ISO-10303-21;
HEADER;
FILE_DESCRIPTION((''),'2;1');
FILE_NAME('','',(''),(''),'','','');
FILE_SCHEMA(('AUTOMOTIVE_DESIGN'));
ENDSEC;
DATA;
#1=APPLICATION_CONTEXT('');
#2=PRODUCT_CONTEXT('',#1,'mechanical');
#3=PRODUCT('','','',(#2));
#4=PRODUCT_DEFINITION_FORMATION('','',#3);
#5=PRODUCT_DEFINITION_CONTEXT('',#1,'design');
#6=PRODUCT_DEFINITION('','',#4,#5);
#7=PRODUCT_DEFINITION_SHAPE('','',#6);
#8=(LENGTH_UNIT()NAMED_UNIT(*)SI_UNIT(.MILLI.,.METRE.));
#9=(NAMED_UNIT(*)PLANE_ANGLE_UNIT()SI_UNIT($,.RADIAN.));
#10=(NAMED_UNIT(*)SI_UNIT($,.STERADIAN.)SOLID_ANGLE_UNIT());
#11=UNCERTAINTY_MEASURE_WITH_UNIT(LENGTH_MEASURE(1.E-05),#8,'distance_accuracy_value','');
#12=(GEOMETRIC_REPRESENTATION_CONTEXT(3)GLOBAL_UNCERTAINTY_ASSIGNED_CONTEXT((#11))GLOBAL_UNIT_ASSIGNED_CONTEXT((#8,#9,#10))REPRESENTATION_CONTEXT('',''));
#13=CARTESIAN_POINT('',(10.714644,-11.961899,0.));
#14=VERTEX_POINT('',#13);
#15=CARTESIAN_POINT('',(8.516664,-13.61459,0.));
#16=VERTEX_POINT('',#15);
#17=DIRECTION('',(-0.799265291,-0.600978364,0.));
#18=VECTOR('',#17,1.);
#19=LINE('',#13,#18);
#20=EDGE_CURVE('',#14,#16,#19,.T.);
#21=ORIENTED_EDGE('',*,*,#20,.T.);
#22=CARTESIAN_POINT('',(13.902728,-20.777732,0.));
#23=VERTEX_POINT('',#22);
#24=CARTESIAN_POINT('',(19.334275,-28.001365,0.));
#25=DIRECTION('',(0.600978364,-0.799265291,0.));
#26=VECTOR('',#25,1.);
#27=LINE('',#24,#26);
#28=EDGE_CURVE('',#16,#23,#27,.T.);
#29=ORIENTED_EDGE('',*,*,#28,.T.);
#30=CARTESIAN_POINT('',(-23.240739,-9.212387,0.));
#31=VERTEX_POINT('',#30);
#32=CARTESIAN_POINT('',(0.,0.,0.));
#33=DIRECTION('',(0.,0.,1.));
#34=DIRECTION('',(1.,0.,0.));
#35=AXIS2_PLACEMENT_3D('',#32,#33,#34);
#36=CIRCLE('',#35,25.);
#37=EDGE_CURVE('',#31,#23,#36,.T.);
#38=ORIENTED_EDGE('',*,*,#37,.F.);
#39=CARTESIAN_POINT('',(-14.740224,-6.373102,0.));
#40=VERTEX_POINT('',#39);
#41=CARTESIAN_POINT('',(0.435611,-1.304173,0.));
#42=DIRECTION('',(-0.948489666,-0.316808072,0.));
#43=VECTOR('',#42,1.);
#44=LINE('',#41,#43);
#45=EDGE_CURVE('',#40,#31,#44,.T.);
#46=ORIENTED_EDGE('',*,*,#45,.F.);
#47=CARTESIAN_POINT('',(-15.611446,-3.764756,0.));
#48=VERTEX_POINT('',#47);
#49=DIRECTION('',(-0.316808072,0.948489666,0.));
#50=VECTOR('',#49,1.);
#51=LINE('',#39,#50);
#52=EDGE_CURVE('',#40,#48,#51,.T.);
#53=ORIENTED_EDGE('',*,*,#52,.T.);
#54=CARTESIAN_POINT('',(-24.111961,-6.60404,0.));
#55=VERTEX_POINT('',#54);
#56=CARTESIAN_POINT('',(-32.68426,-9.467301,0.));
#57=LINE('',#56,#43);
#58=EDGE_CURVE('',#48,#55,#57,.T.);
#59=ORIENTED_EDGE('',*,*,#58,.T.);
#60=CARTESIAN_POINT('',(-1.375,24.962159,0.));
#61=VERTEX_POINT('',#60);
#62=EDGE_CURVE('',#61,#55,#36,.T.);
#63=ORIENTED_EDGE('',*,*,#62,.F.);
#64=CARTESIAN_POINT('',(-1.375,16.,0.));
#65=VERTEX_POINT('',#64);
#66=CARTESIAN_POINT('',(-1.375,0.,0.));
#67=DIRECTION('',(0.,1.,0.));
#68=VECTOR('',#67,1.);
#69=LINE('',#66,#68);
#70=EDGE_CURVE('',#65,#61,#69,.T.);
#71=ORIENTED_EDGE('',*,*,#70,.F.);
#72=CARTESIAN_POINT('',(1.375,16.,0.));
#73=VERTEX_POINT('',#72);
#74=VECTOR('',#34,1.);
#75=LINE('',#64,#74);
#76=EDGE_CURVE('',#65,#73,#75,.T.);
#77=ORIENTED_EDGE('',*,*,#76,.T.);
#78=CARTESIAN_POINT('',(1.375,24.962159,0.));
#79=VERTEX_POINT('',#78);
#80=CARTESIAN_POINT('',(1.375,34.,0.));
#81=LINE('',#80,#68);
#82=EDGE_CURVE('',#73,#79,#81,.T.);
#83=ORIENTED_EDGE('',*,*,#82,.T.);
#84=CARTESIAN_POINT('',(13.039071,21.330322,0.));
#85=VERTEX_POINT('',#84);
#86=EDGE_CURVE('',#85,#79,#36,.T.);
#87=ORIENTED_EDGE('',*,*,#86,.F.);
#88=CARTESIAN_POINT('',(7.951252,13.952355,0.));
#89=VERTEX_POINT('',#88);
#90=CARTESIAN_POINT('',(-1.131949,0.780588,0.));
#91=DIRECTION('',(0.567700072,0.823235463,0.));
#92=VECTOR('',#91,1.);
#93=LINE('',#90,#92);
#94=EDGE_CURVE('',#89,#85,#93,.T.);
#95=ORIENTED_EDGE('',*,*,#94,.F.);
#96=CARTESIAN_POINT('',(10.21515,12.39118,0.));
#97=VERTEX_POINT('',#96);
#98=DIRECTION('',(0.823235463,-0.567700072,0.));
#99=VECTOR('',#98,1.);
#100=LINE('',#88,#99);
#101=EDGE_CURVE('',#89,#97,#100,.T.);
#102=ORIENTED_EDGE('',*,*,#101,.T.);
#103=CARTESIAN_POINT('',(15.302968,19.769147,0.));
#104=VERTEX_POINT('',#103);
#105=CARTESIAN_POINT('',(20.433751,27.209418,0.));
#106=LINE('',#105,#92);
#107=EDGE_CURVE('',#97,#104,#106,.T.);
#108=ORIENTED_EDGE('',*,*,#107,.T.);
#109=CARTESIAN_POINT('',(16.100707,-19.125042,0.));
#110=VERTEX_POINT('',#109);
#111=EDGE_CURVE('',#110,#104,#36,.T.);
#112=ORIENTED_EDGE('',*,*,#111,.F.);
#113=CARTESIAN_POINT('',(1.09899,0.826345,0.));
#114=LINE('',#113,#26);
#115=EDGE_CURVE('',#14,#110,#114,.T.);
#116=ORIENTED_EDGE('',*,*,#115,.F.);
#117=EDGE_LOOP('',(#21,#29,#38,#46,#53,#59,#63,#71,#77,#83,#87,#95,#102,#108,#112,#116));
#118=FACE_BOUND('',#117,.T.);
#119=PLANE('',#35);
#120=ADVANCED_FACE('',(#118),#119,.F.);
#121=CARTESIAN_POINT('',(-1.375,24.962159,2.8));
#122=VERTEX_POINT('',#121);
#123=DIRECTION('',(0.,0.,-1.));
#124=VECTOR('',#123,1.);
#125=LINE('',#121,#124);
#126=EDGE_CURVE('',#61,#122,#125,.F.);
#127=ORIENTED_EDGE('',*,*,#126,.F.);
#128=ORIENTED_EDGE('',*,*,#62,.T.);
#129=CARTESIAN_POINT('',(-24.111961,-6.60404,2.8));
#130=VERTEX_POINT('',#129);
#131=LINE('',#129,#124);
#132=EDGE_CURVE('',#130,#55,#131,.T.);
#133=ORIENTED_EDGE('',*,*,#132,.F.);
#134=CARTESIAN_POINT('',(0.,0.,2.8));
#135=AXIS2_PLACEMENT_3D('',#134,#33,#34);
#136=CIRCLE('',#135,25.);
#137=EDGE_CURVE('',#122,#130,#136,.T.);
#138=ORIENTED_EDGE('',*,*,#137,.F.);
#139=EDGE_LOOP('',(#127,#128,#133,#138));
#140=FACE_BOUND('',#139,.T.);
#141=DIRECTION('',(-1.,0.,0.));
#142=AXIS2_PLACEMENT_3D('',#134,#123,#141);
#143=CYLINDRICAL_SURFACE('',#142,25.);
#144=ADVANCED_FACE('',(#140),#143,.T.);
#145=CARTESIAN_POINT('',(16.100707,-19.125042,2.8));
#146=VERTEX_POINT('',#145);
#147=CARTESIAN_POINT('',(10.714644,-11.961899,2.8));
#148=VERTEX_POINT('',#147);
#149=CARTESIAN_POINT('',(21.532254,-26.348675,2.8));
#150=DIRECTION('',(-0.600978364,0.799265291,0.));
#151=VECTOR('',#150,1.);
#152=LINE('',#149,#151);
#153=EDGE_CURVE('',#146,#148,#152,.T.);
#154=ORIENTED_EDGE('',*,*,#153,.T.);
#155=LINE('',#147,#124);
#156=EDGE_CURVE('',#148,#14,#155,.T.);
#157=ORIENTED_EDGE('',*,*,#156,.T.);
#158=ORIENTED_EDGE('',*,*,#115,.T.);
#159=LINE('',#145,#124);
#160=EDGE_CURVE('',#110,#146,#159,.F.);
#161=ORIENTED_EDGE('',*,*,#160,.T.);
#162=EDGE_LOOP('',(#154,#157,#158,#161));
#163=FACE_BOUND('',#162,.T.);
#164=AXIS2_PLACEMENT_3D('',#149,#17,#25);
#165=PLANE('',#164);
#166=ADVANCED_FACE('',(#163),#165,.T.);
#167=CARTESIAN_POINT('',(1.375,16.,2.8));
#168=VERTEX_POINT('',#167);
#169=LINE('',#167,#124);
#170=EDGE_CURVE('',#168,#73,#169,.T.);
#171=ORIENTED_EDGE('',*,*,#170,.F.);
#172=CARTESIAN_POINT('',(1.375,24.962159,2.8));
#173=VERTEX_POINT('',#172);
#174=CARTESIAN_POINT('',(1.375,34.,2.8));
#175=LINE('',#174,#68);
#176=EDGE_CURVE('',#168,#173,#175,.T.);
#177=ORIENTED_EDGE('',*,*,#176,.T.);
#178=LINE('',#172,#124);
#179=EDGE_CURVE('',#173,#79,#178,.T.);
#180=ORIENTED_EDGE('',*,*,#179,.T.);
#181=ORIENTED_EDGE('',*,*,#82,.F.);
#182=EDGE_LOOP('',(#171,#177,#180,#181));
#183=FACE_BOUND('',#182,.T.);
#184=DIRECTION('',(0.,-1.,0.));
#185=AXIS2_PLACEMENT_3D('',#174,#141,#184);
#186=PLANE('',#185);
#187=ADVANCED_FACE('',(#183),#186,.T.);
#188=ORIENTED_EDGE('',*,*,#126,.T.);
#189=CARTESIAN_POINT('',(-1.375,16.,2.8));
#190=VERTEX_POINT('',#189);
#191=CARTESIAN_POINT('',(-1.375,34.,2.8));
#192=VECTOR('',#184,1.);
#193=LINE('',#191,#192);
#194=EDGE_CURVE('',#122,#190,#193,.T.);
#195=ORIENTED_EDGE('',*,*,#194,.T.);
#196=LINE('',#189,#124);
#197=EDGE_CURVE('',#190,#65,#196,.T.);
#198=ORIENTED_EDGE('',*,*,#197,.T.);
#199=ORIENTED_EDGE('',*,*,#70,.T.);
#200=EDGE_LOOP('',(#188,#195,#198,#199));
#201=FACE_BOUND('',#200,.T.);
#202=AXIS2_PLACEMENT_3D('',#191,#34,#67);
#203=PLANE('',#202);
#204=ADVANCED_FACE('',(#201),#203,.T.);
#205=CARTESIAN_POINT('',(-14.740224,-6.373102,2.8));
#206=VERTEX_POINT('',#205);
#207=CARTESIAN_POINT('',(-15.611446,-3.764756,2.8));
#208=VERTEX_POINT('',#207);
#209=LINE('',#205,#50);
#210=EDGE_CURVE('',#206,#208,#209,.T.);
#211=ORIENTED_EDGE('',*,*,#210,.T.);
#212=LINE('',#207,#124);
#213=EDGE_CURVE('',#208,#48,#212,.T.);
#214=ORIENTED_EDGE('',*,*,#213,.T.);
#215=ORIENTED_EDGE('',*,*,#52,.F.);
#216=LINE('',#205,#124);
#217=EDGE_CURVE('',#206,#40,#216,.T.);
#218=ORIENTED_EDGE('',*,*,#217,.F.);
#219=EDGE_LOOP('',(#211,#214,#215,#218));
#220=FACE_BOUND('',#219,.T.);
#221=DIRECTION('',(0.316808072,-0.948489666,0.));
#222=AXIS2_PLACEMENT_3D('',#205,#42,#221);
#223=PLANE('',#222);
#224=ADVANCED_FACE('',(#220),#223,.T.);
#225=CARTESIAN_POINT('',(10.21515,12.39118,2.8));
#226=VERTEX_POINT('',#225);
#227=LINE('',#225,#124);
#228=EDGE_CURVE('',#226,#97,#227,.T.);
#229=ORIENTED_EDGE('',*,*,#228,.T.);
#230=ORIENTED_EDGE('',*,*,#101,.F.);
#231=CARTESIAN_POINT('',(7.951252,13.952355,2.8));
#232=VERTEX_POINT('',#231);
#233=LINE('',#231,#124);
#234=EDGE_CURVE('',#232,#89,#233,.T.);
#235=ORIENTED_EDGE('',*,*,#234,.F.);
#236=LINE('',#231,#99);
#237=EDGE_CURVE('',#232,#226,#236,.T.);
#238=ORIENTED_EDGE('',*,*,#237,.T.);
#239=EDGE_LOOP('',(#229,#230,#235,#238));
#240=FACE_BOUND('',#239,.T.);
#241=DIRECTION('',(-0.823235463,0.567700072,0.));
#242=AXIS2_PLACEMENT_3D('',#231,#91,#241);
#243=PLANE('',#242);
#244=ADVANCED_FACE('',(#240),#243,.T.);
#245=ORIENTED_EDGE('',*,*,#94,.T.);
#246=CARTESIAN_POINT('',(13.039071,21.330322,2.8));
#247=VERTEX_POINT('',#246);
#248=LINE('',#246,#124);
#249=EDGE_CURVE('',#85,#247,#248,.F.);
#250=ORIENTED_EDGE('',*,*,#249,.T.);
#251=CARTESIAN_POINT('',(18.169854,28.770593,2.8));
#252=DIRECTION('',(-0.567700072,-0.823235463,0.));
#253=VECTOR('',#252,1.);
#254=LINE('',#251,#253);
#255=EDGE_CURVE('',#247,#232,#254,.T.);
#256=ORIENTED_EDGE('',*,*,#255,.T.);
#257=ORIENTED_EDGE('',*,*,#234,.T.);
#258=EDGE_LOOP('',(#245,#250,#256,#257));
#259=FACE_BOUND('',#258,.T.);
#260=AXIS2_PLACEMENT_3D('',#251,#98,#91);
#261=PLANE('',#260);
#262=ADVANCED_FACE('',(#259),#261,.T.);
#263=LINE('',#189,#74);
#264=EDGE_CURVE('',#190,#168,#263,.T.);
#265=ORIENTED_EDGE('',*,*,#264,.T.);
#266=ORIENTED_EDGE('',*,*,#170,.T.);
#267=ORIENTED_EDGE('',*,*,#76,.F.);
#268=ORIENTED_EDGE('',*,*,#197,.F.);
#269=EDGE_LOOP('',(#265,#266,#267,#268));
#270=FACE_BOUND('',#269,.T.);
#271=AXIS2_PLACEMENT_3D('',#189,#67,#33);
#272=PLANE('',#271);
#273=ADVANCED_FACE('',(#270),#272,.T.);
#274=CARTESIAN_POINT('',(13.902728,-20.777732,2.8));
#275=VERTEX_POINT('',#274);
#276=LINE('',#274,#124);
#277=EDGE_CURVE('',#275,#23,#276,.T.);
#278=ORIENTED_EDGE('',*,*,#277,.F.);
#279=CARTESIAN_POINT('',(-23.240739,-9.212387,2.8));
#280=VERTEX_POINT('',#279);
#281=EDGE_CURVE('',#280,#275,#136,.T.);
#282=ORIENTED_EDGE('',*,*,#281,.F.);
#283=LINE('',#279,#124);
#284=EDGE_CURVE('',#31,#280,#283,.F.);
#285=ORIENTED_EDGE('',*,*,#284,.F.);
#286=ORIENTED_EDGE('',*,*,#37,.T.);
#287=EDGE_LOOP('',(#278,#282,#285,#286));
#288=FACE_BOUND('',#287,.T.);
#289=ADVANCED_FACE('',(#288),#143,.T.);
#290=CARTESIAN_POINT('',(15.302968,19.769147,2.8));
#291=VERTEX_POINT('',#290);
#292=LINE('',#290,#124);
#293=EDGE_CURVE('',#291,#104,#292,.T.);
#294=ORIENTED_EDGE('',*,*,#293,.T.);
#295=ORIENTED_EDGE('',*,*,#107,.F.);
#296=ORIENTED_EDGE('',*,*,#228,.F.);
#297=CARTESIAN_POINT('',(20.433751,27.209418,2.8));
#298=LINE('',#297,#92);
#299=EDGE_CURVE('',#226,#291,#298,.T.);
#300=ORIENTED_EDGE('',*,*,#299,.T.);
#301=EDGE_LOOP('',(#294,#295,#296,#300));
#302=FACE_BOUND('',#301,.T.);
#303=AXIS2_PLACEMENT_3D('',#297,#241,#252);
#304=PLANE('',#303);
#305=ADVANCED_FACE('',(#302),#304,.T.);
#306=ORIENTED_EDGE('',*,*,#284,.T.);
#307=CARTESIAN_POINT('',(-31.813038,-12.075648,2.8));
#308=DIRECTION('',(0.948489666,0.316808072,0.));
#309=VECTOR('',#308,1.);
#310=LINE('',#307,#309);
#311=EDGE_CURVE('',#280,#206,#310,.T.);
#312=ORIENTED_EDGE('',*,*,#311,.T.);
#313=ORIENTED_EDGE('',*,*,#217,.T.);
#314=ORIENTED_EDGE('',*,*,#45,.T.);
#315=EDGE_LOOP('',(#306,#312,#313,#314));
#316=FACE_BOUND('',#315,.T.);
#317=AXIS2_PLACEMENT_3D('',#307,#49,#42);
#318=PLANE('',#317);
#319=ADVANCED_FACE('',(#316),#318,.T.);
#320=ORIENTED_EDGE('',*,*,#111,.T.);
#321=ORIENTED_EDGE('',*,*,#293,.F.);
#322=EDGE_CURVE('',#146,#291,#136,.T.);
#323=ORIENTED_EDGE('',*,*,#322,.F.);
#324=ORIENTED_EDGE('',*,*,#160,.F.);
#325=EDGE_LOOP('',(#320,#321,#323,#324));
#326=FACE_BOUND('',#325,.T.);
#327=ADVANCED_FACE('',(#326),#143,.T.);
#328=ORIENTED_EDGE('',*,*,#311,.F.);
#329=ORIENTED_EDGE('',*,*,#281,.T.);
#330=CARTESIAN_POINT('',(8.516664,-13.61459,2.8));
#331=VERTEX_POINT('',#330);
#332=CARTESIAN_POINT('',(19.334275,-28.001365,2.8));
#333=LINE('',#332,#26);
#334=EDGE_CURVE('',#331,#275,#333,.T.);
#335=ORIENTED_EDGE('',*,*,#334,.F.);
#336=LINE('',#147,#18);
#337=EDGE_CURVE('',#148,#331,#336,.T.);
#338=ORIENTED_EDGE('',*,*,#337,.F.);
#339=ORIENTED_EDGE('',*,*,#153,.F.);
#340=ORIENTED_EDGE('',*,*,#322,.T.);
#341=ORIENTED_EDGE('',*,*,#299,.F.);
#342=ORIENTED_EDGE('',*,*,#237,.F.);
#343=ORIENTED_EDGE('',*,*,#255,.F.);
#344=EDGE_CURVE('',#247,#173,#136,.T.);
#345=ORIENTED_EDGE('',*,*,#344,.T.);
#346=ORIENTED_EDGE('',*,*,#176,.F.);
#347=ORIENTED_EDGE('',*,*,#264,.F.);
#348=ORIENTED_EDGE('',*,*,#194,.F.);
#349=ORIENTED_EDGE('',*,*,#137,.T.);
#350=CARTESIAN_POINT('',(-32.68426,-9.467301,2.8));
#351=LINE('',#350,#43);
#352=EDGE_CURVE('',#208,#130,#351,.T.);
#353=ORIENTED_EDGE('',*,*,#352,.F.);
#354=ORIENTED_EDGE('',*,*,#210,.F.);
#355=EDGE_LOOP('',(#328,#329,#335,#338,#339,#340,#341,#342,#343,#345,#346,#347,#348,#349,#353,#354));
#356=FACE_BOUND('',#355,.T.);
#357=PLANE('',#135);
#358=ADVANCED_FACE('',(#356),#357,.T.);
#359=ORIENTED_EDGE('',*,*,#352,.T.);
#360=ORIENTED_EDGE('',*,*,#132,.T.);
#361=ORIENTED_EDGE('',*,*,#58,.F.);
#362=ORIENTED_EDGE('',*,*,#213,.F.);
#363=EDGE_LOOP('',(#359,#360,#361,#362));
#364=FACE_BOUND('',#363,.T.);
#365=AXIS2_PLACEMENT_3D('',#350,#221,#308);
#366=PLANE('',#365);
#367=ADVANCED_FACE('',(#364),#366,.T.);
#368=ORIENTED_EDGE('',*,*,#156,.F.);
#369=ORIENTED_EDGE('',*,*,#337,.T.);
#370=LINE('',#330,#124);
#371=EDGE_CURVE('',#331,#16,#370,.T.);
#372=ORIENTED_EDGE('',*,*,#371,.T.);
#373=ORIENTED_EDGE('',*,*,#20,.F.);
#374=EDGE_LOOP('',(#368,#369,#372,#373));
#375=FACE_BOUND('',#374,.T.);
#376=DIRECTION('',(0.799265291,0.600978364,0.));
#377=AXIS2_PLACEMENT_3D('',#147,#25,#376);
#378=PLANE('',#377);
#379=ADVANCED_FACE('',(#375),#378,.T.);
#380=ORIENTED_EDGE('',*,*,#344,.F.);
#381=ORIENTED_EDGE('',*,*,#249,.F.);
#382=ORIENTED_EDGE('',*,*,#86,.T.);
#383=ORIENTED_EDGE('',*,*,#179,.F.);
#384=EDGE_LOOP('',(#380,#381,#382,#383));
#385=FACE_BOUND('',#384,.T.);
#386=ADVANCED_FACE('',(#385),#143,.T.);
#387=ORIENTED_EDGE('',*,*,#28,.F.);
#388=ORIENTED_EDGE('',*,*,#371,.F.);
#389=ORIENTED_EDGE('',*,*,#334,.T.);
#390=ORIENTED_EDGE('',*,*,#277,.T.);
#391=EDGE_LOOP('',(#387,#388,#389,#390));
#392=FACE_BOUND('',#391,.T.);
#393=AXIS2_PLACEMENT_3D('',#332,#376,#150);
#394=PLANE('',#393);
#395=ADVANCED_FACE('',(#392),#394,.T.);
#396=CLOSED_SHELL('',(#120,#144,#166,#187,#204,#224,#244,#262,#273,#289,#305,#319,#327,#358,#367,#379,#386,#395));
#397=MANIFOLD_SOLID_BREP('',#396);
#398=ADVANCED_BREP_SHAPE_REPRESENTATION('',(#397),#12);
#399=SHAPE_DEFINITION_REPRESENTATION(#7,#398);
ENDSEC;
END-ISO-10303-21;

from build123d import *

# Parameters (mm, degrees)
CROQUIS1_R              = 25
SALIENTE_EXTRUIR1_DEPTH = 2.8
CROQUIS2_W              = 2.75
CROQUIS2_H              = 18
CORTAR_EXTRUIR1_DEPTH   = 3.8
MATRIZC2_COUNT          = 4
MATRIZC2_ANGLE          = 325.41


with BuildPart() as part:
    # Croquis1 → Saliente-Extruir1 (new body)
    with BuildSketch(Plane.XY):
        Circle(CROQUIS1_R)
    extrude(amount=SALIENTE_EXTRUIR1_DEPTH)

    # Croquis2 → Cortar-Extruir1 (cut, through all)
    with BuildSketch(Plane.XY):
        with Locations((0, 25)):
            Rectangle(CROQUIS2_W, CROQUIS2_H)
    cortar_extruir1 = extrude(amount=CORTAR_EXTRUIR1_DEPTH, mode=Mode.SUBTRACT)

    # MatrizC2: Cortar-Extruir1 ×4 about axis
    matrizc2_axis = Axis((0, 0, 0), (0, 0, 1))
    for i in range(1, MATRIZC2_COUNT):
        add(cortar_extruir1.rotate(matrizc2_axis, i * MATRIZC2_ANGLE / (MATRIZC2_COUNT - 1)), mode=Mode.SUBTRACT)


solid = part.part
